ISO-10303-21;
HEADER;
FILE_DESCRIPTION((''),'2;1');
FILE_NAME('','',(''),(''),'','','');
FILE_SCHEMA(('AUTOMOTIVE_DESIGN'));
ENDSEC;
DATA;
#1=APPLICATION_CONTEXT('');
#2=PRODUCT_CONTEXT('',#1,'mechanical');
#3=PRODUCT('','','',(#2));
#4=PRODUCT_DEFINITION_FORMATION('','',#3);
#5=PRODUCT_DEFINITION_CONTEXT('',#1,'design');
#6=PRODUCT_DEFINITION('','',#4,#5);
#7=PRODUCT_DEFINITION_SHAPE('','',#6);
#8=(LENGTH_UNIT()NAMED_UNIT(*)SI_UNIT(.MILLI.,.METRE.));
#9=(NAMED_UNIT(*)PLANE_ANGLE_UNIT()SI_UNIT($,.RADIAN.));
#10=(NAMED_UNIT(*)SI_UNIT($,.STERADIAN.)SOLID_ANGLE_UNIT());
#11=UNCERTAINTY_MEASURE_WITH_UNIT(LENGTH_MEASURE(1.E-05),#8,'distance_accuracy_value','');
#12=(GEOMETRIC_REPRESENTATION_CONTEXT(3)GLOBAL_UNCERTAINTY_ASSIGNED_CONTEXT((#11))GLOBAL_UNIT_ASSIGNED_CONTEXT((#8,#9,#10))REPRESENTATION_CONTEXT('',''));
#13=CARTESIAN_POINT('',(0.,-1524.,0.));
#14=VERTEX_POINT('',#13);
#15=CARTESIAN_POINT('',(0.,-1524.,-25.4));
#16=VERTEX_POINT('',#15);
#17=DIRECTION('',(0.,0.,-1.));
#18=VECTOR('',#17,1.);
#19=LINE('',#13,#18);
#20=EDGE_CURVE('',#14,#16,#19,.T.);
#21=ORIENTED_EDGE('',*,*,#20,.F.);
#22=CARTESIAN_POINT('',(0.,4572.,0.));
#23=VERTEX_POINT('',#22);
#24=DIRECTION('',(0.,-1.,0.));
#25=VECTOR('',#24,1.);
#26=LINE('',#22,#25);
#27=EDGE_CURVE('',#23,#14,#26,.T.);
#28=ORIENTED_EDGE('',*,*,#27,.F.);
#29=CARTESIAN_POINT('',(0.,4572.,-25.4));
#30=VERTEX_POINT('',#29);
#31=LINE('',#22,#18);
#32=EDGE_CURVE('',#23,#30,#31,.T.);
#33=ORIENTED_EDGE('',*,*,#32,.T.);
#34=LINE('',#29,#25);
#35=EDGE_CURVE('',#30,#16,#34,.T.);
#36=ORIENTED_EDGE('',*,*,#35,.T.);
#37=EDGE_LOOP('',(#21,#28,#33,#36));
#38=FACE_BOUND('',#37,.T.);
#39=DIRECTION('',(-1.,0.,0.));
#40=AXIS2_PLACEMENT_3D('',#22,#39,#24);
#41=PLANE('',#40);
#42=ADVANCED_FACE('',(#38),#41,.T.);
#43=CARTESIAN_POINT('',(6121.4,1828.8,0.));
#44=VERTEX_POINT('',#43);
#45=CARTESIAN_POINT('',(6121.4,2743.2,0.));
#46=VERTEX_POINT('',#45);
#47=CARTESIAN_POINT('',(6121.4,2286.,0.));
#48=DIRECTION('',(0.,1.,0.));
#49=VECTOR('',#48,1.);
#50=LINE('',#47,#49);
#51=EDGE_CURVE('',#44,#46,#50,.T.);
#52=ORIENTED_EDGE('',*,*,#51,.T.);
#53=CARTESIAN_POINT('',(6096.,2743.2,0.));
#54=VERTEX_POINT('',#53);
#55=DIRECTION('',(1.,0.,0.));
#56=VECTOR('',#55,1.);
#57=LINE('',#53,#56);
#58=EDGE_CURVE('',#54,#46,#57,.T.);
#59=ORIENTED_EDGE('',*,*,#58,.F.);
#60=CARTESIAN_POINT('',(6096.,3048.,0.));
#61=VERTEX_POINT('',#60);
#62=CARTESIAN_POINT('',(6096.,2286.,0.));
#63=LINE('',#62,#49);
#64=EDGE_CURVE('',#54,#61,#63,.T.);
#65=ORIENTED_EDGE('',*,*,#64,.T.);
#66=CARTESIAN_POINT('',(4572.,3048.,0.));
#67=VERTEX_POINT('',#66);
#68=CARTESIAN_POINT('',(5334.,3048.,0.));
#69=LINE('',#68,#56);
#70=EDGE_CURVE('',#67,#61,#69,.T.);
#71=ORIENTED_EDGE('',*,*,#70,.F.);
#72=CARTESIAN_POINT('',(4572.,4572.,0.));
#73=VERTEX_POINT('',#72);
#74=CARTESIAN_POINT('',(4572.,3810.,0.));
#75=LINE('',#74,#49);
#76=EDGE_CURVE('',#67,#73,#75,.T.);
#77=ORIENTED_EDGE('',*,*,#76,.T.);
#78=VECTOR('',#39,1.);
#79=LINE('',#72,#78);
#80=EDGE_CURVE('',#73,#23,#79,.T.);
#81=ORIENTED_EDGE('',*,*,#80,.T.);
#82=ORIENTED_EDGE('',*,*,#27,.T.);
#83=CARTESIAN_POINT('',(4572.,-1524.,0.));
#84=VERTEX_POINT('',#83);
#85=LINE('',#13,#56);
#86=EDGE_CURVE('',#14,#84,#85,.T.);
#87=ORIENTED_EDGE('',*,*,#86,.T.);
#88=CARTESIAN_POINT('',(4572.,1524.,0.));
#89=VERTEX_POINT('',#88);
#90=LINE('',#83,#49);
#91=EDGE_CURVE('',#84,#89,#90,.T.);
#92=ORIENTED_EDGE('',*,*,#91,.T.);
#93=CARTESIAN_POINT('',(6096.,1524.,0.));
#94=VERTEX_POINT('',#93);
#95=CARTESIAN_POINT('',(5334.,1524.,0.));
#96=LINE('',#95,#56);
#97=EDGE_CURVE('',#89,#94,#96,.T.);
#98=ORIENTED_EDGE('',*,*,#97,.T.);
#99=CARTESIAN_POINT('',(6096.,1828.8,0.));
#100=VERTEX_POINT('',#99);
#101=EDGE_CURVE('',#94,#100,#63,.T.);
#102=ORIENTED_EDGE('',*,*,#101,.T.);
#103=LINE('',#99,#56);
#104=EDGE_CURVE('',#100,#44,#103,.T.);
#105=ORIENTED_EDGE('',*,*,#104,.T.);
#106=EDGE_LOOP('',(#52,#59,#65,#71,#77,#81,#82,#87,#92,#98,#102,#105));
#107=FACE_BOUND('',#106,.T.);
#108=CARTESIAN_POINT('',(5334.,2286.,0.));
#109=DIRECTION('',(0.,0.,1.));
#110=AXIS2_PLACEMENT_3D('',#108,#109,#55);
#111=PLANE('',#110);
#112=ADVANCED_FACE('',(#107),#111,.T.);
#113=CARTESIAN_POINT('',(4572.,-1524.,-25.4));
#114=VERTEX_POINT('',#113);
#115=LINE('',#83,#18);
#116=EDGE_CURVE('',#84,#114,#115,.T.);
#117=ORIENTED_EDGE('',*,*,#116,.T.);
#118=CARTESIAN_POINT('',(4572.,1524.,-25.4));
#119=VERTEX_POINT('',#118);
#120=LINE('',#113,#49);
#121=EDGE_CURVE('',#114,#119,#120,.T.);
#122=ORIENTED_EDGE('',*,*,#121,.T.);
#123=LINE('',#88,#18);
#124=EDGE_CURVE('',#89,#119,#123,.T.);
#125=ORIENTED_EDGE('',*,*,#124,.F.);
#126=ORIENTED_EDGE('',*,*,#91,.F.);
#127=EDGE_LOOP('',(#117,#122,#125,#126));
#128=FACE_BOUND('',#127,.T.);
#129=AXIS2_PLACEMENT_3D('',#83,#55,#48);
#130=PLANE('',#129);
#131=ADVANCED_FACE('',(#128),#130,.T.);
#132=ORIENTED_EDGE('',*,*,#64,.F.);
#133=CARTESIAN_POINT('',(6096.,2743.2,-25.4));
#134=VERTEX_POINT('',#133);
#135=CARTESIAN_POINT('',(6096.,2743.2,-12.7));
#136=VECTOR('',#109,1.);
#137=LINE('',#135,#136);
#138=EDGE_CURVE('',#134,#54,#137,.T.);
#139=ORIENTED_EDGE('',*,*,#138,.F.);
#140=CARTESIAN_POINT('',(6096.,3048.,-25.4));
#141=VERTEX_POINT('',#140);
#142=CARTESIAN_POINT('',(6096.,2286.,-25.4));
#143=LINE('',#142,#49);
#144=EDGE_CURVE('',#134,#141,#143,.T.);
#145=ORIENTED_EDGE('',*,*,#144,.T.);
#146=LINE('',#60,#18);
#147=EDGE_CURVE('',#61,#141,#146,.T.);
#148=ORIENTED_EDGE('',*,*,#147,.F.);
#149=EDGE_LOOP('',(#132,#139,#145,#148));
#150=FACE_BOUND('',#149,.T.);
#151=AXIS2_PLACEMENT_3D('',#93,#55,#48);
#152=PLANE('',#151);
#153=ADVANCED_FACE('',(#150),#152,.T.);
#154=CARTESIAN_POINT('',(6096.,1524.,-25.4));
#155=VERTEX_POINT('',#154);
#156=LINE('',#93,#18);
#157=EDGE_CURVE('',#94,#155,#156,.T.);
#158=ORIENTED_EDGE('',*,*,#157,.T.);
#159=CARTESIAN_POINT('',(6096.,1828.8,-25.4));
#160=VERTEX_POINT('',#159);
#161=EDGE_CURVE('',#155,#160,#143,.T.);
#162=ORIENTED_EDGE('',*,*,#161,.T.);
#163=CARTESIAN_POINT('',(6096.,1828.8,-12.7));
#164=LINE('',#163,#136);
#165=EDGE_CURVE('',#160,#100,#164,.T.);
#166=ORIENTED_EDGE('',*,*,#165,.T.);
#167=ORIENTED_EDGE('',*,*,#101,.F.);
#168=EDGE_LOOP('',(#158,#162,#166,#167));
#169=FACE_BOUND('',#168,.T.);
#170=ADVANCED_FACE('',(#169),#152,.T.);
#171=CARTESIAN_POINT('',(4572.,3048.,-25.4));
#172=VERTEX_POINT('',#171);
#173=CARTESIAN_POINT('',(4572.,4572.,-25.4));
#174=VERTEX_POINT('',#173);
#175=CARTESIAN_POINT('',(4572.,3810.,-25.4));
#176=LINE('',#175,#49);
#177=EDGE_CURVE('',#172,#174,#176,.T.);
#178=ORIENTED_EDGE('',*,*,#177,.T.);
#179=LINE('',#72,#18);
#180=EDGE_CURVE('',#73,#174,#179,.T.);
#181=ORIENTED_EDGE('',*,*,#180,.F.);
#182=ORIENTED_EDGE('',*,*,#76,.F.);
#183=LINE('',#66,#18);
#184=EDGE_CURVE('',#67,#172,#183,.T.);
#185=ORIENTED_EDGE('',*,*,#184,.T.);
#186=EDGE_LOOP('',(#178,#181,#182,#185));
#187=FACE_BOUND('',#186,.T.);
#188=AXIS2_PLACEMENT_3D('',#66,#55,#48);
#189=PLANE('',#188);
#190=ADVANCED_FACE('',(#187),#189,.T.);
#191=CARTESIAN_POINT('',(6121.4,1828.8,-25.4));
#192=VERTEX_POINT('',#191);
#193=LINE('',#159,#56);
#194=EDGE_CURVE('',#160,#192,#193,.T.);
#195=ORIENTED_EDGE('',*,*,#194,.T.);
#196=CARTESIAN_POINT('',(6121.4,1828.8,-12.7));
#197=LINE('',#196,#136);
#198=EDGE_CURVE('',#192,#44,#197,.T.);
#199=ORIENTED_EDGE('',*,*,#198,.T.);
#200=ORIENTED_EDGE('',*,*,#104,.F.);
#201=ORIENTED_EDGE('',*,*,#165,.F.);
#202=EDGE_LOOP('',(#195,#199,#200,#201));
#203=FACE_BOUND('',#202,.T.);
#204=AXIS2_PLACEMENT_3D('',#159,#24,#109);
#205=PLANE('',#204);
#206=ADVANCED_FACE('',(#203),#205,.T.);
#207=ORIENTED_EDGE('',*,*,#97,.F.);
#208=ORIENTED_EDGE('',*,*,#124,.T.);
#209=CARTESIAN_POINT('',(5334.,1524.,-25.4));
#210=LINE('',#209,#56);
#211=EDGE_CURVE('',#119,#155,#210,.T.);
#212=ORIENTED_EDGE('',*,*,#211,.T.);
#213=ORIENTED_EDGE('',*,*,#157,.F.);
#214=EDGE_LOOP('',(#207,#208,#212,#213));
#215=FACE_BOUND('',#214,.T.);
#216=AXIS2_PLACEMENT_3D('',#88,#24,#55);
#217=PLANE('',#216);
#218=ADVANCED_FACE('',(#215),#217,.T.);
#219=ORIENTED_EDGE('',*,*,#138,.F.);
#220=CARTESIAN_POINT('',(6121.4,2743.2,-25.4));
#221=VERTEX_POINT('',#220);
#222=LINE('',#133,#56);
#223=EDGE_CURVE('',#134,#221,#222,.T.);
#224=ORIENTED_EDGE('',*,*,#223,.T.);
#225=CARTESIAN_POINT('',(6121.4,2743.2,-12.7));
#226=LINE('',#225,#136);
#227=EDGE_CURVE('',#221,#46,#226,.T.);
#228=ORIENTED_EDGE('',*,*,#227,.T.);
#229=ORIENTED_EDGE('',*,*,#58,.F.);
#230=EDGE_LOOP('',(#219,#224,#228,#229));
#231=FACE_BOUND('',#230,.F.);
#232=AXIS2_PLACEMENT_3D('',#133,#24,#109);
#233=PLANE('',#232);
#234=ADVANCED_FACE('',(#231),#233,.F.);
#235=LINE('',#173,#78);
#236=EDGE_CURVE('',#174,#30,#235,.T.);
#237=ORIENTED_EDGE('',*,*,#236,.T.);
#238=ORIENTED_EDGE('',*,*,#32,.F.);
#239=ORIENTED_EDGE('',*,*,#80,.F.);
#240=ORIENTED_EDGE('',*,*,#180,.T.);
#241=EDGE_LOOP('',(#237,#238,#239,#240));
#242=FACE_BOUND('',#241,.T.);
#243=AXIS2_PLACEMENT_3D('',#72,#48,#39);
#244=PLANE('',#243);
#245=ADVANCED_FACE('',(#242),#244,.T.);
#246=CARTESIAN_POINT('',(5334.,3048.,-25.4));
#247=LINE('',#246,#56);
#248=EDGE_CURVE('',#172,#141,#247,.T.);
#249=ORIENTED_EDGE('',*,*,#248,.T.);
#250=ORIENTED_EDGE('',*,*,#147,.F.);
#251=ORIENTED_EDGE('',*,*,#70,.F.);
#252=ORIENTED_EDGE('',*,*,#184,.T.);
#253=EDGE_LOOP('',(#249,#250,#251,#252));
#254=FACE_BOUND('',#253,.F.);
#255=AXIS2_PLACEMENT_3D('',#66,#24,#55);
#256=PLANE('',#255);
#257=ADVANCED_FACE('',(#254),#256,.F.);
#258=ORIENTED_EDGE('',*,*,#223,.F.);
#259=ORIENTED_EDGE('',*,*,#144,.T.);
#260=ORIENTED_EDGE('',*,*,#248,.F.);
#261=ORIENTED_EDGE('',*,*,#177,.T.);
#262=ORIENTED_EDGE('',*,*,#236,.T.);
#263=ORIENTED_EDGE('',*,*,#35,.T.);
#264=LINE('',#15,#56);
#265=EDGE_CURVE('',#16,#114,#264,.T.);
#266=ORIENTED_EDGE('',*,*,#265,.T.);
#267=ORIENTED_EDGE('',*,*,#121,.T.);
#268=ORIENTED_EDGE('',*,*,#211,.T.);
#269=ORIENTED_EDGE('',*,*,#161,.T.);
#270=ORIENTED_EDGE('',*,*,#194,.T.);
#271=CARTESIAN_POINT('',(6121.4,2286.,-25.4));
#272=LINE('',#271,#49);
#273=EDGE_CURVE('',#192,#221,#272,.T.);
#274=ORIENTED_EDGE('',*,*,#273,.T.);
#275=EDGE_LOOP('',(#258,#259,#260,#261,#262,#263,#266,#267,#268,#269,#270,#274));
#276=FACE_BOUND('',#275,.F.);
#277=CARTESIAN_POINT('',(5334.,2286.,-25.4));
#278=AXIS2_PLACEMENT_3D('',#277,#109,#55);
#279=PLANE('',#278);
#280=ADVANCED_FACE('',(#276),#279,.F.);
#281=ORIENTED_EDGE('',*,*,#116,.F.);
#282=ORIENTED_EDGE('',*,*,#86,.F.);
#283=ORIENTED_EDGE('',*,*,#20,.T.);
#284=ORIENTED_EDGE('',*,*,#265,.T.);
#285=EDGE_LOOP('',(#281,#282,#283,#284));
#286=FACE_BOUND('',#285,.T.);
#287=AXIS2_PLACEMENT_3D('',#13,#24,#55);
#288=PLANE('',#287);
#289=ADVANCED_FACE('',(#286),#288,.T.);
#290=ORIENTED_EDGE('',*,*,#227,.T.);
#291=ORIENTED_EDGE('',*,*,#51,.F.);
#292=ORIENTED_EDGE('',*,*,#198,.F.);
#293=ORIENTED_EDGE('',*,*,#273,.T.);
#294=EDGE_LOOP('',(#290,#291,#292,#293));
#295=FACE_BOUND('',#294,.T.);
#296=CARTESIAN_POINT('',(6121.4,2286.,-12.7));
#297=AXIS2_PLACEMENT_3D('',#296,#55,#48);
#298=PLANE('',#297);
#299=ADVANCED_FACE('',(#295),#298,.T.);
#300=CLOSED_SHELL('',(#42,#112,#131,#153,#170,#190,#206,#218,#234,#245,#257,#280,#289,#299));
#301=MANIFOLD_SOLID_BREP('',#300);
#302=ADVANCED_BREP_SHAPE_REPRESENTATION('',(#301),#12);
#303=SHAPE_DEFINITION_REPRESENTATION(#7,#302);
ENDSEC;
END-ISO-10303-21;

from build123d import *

# Parameters (mm, degrees)
F0_W     = 1524
F0_H     = 1524
F1_DEPTH = 25.4
F2_W     = 914.4
F2_H     = 25.4
F3_DEPTH = 25.4


with BuildPart() as f1:
    # F0 (on Top) → F1 (new body)
    with BuildSketch(Plane.XY):
        with Locations((5334, 2286)):
            Rectangle(F0_W, F0_H)
        with Locations((762, -762)):
            Rectangle(F0_W, F0_H)
        with Locations((762, 3810)):
            Rectangle(F0_W, F0_H)
        with Locations((3810, -762)):
            Rectangle(F0_W, F0_H)
        with Locations((3810, 3810)):
            Rectangle(F0_W, F0_H)
        with Locations((762, 762)):
            Rectangle(F0_W, F0_H)
        with Locations((762, 2286)):
            Rectangle(F0_W, F0_H)
        with Locations((2286, -762)):
            Rectangle(F0_W, F0_H)
        with Locations((2286, 3810)):
            Rectangle(F0_W, F0_H)
        with Locations((3810, 762)):
            Rectangle(F0_W, F0_H)
        with Locations((2286, 762)):
            Rectangle(F0_W, F0_H)
        with Locations((2286, 2286)):
            Rectangle(F0_W, F0_H)
        with Locations((3810, 2286)):
            Rectangle(F0_W, F0_H)
    extrude(amount=-F1_DEPTH)

    # F2 (on face) → F3 (join)
    with BuildSketch(Plane.YZ.offset(6096)):
        with Locations((2286, -12.7)):
            Rectangle(F2_W, F2_H)
    extrude(amount=F3_DEPTH)


solid = f1.part
